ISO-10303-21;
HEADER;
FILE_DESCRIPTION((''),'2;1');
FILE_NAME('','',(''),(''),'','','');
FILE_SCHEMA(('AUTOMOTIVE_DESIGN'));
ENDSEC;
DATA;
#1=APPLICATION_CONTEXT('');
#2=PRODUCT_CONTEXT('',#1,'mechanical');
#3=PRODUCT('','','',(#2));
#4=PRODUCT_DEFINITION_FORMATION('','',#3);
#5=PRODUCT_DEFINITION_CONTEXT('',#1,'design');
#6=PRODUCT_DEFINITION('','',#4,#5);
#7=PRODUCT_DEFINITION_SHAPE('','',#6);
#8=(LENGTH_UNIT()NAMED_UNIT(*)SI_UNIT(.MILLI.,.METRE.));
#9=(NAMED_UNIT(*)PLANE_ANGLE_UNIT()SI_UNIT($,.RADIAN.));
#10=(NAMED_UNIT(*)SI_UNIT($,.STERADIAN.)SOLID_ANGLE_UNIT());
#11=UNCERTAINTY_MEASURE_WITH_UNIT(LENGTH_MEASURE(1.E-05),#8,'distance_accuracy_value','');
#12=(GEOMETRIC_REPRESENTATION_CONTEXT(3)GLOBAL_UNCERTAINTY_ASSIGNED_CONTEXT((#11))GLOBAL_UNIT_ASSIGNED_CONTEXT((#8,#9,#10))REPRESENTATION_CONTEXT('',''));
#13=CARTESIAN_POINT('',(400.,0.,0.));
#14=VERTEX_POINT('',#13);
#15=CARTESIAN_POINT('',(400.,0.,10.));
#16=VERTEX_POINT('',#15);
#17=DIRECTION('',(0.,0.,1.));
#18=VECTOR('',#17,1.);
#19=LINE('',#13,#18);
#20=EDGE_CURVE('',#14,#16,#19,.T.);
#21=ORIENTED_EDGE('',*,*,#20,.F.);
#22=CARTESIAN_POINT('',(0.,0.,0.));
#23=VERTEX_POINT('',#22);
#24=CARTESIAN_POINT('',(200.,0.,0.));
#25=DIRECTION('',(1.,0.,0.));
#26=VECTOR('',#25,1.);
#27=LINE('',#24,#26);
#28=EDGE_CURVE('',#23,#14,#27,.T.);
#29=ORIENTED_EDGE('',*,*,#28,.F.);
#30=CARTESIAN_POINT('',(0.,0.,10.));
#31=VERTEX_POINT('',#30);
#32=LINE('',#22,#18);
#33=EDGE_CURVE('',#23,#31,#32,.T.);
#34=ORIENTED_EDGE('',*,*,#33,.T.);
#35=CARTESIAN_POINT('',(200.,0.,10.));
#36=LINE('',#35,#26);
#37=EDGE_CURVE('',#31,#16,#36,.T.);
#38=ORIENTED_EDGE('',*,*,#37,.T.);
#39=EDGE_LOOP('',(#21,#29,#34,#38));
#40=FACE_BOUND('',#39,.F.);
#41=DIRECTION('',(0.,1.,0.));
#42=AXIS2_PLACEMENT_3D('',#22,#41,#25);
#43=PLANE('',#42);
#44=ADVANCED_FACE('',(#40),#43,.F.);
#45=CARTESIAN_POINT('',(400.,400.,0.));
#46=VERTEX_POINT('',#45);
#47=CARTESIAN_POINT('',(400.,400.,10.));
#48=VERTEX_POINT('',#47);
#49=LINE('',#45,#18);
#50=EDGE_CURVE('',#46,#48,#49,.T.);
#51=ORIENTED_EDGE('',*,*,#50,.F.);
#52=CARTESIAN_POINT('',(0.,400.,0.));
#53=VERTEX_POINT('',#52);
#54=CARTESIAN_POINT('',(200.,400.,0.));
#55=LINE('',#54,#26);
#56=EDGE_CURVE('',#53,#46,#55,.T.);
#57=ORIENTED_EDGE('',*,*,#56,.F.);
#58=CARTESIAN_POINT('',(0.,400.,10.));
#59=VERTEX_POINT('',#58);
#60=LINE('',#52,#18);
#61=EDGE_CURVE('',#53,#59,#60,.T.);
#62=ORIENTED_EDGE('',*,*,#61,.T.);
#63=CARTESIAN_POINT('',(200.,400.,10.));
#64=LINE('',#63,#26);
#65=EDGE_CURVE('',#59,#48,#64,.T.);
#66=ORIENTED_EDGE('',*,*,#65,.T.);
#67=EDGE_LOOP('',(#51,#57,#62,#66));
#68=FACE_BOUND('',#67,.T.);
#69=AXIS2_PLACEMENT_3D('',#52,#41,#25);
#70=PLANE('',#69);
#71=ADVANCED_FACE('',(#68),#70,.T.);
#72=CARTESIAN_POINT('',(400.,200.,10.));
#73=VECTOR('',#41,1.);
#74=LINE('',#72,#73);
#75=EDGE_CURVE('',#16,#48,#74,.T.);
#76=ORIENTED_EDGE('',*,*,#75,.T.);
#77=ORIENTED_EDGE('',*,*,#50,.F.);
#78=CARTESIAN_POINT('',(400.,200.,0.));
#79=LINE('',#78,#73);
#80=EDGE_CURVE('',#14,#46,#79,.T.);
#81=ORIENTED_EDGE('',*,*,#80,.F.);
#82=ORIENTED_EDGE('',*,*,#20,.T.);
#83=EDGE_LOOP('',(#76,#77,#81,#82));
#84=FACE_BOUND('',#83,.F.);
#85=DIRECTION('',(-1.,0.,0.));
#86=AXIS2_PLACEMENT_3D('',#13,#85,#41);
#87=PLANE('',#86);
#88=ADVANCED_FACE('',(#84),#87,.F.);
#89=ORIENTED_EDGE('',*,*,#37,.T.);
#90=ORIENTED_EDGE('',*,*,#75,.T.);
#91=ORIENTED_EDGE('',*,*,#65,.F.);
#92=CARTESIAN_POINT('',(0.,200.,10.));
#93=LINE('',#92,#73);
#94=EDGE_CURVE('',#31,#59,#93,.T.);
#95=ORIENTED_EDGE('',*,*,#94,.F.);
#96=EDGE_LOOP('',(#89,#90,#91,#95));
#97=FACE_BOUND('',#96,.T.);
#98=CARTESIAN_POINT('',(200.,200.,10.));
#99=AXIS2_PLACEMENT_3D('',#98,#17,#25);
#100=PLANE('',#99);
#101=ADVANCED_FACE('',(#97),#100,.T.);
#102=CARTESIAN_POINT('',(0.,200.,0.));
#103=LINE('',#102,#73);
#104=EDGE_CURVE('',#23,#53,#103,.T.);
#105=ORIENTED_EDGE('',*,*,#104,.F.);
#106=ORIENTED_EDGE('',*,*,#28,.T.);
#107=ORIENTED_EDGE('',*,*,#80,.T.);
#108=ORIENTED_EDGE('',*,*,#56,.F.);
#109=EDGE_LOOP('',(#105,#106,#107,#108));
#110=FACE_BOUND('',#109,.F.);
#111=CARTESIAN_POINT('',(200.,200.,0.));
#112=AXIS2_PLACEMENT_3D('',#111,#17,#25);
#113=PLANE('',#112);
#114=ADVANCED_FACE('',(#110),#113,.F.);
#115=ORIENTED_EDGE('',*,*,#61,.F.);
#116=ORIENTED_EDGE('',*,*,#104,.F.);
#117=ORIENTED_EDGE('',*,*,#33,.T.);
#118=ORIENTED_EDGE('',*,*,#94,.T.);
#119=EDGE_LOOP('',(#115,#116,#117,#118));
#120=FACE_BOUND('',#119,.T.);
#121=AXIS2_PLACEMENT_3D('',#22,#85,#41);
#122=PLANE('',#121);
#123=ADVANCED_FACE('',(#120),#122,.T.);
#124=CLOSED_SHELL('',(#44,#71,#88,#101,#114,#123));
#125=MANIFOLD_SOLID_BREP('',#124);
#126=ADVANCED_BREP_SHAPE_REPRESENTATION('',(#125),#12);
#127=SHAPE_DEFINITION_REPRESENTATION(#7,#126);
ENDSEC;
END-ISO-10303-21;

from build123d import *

# Parameters (mm, degrees)
SKETCH1_W           = 400
SKETCH1_H           = 400
BOSS_EXTRUDE1_DEPTH = 10


with BuildPart() as part:
    # Sketch1 → Boss-Extrude1 (new body)
    with BuildSketch(Plane.XY):
        with Locations((200, 200)):
            Rectangle(SKETCH1_W, SKETCH1_H)
    extrude(amount=BOSS_EXTRUDE1_DEPTH)


solid = part.part
